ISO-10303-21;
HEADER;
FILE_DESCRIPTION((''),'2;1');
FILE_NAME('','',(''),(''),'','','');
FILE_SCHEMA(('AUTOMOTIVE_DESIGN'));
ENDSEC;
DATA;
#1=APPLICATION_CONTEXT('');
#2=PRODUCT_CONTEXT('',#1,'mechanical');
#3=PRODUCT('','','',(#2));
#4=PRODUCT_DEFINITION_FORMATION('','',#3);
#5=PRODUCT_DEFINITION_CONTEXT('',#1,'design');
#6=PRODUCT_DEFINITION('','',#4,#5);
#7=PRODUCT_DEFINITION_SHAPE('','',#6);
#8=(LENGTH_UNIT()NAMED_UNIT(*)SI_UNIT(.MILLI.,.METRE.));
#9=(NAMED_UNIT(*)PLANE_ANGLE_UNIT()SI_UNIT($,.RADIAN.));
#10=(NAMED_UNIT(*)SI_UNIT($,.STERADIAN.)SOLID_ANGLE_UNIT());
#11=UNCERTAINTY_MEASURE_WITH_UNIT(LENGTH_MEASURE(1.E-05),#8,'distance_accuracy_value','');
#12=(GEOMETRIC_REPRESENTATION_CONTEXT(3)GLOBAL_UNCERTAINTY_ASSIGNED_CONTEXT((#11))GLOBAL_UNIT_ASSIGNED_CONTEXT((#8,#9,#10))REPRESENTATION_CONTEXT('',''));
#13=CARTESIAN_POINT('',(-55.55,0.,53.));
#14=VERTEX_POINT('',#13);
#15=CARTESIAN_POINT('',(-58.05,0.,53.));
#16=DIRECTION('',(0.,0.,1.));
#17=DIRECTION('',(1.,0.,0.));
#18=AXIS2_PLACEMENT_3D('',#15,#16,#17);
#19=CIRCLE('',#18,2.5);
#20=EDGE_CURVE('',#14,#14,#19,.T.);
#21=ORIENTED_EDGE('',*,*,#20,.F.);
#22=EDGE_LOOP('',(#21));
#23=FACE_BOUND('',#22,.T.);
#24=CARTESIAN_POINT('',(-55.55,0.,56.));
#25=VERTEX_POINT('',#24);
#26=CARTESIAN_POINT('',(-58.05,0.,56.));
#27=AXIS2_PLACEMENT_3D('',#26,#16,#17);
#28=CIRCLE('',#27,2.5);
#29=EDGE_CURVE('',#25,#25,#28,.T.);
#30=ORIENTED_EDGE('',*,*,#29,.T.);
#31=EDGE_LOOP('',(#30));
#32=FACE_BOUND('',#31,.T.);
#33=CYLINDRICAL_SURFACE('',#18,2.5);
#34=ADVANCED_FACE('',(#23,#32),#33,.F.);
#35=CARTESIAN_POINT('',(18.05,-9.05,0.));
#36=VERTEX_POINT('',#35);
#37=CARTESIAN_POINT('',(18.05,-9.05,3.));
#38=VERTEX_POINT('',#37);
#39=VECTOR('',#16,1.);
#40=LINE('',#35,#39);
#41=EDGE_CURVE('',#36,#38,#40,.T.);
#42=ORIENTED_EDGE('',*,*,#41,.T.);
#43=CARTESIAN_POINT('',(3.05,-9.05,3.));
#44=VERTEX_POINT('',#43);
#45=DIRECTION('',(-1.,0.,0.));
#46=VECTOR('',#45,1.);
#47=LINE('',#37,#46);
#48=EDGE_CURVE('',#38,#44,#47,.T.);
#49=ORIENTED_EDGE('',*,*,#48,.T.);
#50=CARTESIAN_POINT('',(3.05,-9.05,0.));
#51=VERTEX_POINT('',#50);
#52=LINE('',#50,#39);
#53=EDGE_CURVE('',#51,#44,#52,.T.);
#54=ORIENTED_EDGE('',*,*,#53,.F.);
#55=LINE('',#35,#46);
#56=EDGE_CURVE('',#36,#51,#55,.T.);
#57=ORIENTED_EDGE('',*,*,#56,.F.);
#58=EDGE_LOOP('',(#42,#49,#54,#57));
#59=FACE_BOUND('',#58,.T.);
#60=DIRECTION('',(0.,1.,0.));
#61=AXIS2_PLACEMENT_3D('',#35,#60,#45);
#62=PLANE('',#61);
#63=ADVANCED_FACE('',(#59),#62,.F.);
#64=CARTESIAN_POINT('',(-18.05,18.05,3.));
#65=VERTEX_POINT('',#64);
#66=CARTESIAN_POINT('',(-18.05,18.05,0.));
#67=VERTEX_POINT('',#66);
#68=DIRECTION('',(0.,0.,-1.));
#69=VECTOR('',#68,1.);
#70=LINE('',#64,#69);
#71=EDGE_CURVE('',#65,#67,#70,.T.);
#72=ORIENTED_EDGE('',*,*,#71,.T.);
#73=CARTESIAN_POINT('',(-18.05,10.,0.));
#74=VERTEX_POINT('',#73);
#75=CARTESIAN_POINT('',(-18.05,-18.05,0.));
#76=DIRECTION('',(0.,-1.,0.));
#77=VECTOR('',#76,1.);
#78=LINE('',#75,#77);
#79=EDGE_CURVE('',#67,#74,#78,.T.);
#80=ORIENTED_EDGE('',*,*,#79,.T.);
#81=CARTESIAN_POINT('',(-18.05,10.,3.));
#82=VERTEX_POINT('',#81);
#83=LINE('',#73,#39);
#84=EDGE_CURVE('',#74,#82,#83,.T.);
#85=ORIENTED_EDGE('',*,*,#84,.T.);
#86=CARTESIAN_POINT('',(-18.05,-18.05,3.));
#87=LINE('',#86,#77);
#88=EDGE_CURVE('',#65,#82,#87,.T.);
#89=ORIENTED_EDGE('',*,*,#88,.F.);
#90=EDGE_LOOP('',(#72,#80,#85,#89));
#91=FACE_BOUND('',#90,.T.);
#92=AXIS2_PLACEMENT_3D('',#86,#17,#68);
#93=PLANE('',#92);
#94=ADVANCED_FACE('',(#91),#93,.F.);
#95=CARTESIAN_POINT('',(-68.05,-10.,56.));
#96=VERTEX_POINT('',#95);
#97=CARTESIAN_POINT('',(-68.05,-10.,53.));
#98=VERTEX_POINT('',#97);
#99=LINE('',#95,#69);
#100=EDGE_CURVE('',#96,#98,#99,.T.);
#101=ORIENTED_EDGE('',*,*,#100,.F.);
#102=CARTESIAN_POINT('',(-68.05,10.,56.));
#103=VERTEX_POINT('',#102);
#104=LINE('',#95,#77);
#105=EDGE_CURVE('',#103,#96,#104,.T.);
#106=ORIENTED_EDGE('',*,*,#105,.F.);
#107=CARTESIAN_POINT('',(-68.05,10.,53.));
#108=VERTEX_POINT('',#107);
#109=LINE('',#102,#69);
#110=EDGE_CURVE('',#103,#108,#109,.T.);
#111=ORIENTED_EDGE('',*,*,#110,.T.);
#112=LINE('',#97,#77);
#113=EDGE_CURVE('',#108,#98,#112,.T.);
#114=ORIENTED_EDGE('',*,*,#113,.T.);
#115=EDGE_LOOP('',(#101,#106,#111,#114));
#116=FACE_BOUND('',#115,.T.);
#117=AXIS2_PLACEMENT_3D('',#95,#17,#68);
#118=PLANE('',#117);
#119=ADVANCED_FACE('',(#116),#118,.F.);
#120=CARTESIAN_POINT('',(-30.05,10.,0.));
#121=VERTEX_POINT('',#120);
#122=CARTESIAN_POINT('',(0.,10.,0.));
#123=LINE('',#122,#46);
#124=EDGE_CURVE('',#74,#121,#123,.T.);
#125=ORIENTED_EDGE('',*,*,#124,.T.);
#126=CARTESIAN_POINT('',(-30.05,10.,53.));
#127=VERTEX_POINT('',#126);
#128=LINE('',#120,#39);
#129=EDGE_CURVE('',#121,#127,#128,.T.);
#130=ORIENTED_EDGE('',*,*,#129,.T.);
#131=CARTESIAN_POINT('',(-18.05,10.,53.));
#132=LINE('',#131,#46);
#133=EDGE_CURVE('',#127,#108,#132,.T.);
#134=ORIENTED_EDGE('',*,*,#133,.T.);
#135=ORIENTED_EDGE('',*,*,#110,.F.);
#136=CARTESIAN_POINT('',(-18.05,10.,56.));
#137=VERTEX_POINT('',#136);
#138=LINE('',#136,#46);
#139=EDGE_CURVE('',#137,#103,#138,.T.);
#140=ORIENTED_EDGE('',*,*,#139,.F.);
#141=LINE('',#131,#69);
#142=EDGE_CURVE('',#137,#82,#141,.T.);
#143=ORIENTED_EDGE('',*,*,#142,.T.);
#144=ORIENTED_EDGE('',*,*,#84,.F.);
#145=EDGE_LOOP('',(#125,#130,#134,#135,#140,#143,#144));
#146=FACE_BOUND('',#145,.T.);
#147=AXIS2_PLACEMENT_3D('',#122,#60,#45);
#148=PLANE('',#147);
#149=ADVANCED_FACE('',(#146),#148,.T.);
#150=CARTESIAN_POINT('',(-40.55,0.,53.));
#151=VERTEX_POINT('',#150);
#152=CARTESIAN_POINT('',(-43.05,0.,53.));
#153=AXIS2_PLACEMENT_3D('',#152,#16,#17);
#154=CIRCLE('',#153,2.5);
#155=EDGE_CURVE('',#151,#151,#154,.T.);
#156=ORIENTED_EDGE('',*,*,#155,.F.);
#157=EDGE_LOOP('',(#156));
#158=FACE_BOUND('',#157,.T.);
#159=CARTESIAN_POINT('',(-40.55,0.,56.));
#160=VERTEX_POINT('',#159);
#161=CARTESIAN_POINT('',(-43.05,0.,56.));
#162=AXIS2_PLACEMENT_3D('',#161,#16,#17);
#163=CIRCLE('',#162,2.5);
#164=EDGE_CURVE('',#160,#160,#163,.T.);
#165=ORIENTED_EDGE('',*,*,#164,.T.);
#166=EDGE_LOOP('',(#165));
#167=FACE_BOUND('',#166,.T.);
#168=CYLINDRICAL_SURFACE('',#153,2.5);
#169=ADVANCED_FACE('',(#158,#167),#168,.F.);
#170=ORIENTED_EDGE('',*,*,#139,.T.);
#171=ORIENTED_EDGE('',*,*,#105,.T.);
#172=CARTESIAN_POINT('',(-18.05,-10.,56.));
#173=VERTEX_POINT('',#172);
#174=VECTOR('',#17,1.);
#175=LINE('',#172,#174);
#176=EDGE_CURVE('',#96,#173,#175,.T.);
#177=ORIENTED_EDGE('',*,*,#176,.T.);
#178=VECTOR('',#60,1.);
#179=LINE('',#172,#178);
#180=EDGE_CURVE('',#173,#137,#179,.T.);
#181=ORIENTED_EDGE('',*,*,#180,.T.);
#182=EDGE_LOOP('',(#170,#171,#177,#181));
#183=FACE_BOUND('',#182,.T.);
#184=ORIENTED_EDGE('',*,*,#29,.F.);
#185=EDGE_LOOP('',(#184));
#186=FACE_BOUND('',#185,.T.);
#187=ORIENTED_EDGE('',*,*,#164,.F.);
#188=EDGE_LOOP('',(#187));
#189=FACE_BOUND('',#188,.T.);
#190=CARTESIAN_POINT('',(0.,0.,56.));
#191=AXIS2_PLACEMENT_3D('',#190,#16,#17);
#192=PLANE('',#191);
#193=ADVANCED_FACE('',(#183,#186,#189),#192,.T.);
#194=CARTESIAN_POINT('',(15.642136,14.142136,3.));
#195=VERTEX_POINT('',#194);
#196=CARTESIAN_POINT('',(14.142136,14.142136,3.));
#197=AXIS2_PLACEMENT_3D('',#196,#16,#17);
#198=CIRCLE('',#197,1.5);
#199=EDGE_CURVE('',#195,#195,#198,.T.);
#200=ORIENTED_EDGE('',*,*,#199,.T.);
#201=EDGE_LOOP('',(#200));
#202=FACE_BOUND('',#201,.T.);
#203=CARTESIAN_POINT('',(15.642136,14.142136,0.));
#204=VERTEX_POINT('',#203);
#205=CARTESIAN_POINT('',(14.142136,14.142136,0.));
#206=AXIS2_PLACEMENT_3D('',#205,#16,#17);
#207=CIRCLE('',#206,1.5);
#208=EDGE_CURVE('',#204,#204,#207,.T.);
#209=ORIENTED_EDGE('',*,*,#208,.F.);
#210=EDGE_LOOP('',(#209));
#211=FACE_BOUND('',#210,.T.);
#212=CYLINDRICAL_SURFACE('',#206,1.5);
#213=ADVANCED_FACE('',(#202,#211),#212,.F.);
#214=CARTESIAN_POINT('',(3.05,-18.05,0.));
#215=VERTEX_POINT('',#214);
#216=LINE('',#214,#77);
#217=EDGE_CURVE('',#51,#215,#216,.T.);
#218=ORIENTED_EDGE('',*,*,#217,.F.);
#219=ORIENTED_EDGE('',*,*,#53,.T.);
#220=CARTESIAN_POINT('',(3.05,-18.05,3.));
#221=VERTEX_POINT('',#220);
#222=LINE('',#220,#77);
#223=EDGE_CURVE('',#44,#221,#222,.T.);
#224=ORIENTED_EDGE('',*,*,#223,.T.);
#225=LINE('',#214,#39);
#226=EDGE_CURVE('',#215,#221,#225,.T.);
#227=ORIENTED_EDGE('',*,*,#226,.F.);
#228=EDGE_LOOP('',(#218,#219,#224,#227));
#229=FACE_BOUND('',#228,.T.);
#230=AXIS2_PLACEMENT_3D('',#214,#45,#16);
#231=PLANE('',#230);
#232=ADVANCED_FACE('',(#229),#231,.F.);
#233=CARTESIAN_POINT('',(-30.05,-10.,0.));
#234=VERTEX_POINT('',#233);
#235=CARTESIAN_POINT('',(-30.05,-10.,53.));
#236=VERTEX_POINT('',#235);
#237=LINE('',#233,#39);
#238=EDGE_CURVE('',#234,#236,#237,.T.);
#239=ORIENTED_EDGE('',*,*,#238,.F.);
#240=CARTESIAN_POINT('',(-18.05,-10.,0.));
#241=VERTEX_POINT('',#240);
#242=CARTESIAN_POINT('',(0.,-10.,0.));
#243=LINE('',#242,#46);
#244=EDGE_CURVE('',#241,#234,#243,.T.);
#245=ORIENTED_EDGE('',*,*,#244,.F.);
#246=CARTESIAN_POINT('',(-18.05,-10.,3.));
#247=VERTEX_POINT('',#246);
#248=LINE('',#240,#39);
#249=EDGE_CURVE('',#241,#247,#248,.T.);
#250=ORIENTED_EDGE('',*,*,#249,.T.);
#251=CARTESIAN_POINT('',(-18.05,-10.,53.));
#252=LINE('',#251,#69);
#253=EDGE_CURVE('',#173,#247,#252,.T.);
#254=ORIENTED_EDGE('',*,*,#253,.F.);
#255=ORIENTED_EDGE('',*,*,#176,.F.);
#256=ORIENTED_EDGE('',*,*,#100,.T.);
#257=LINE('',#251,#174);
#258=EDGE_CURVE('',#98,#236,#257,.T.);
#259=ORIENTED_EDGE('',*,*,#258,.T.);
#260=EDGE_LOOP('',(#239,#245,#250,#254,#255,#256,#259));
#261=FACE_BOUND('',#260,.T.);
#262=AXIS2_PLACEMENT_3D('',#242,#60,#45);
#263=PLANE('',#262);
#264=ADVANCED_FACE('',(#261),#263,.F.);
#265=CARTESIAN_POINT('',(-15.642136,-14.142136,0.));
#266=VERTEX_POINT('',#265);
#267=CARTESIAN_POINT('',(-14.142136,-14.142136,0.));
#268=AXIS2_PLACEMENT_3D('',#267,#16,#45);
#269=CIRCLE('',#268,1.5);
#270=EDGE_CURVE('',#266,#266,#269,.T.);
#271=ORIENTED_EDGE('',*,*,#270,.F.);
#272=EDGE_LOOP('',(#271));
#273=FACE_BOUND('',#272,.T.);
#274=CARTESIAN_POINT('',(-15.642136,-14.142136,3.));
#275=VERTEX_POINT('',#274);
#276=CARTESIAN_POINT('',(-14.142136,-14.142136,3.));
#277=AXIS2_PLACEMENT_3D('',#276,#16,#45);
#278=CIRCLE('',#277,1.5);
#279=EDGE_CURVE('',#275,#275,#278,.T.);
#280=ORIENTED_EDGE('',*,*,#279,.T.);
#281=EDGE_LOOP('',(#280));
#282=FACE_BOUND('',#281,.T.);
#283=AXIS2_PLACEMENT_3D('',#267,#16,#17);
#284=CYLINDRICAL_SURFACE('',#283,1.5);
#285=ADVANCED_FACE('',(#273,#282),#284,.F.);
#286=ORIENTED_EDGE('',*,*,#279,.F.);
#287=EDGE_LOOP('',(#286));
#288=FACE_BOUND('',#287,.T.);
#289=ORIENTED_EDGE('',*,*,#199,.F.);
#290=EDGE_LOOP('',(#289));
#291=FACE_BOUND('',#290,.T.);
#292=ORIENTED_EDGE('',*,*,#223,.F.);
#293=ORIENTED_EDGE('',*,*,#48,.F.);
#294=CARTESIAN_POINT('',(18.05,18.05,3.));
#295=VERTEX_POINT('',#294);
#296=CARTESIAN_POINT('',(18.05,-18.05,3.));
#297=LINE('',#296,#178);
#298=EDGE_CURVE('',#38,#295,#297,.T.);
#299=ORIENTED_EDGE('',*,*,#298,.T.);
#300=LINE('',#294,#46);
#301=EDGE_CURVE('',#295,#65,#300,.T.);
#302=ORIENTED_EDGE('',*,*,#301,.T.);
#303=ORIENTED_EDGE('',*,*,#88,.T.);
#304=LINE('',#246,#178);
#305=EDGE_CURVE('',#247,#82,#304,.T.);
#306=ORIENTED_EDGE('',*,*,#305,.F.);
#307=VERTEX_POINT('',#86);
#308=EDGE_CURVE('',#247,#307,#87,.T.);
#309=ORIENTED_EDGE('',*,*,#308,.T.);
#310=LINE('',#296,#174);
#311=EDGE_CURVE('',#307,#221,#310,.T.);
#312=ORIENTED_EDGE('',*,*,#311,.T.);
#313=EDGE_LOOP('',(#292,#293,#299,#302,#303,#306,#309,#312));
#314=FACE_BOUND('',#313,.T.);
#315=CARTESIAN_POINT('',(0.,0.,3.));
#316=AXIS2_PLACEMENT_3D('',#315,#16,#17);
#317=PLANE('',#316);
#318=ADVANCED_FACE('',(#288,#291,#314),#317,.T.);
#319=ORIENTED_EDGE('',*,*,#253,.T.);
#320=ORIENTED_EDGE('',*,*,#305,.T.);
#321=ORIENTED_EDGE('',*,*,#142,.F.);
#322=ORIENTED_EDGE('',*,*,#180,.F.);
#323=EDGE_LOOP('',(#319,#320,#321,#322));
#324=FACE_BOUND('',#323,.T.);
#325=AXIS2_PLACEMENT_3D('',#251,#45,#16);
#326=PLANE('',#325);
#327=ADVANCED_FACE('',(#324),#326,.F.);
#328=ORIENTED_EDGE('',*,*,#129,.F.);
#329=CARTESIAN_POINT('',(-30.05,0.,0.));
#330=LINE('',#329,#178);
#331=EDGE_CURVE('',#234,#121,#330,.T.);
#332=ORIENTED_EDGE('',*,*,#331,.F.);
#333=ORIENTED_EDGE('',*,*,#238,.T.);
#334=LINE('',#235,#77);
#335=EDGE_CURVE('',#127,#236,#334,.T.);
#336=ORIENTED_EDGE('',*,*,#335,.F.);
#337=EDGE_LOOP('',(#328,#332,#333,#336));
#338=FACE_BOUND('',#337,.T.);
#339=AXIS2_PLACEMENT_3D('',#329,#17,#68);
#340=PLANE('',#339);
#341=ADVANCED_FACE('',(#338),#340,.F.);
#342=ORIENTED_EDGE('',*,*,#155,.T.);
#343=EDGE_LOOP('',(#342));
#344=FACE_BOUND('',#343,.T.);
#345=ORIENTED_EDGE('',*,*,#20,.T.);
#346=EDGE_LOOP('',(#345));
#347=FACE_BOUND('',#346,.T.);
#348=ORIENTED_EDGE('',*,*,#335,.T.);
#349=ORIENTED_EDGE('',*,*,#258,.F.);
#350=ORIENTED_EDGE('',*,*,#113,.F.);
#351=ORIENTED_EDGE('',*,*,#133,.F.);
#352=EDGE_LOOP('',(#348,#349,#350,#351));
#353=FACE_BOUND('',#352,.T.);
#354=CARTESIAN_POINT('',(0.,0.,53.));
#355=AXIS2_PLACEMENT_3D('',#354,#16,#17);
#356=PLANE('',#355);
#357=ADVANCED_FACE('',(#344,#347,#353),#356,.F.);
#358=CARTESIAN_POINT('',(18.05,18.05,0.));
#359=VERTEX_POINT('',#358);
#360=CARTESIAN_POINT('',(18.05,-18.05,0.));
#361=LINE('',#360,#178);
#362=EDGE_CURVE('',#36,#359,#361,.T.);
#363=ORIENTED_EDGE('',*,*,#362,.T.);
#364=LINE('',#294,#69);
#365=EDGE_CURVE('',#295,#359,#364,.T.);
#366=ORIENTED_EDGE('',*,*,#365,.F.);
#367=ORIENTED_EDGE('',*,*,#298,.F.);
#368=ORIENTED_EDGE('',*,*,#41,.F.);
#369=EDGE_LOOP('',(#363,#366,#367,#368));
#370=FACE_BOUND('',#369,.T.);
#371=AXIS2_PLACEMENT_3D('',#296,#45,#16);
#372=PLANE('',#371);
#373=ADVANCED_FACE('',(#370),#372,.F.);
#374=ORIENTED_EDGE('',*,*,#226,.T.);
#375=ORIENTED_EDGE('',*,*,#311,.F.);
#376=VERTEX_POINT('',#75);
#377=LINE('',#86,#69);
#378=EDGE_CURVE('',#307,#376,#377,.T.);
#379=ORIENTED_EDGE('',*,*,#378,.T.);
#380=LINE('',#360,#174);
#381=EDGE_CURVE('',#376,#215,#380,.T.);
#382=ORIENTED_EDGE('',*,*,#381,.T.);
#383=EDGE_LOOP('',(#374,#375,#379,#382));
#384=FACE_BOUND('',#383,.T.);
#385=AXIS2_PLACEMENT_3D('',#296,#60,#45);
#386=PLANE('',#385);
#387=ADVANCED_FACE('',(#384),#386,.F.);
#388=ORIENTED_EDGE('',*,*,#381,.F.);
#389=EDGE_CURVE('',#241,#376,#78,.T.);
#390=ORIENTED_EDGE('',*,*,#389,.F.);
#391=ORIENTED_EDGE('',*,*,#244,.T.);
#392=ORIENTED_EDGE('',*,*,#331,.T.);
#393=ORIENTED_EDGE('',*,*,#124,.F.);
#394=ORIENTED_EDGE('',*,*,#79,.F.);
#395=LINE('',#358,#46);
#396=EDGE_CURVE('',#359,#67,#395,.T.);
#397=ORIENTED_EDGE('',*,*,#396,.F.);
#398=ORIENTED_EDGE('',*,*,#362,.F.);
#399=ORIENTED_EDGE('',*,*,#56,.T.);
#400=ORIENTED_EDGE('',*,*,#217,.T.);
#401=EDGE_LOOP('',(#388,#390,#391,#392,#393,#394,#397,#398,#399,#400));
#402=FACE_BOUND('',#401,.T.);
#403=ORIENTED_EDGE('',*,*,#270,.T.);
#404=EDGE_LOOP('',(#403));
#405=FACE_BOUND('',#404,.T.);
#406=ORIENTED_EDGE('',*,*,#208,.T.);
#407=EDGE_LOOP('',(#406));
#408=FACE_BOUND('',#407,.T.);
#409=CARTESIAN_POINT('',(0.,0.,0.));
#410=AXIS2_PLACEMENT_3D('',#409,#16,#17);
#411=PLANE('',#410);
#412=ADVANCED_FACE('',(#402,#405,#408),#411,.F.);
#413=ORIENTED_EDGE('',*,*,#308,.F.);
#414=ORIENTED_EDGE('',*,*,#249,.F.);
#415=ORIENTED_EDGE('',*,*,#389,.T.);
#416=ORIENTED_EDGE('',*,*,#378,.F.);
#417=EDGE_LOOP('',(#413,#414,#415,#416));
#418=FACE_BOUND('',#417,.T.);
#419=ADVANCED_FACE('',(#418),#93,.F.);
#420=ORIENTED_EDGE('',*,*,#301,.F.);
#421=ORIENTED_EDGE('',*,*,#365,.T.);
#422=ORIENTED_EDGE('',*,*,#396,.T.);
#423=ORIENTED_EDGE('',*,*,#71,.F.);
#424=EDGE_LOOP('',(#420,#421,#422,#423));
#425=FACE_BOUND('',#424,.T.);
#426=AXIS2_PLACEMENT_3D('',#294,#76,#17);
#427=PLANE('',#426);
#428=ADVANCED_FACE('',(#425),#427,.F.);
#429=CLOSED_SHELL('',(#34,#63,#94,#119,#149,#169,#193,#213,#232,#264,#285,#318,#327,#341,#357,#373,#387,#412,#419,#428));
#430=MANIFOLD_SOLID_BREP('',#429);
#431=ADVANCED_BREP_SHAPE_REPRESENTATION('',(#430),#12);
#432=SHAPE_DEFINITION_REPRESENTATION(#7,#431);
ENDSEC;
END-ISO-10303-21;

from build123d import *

# Parameters (mm, degrees)
SKETCH_1_W          = 36.1
SKETCH_1_H          = 36.1
EXTRUDE_1_DEPTH     = 3
SKETCH_2_R          = 1.5
CUT_EXTRUDE_1_DEPTH = 3
SKETCH_3_W          = 15
SKETCH_3_H          = 9
CUT_EXTRUDE_2_DEPTH = 3
SKETCH_4_W          = 12
SKETCH_4_H          = 10
EXTRUDE_2_DEPTH     = 3
SKETCH_5_W          = 12
SKETCH_5_H          = 20
EXTRUDE_3_DEPTH     = 50
SKETCH_7_W          = 50
SKETCH_7_H          = 20
EXTRUDE_4_DEPTH     = 3
SKETCH_9_R          = 2.5
CUT_EXTRUDE_4_DEPTH = 3


with BuildPart() as part:
    # 草图1 → 凸台-拉伸1 (new body)
    with BuildSketch(Plane.XY):
        Rectangle(SKETCH_1_W, SKETCH_1_H)
    extrude(amount=EXTRUDE_1_DEPTH)

    # 草图2 → 切除-拉伸1 (cut)
    with BuildSketch(Plane.XY.offset(3)):
        with Locations((14.142135624, 14.142135624)):
            Circle(SKETCH_2_R)
        with Locations(Location((-14.142135624, -14.142135624, 0), (0, 0, 180))):
            Circle(SKETCH_2_R)
    extrude(amount=-CUT_EXTRUDE_1_DEPTH, mode=Mode.SUBTRACT)

    # 草图3 → 切除-拉伸2 (cut)
    with BuildSketch(Plane.XY.offset(3)):
        with Locations((10.55, -13.55)):
            Rectangle(SKETCH_3_W, SKETCH_3_H)
    extrude(amount=-CUT_EXTRUDE_2_DEPTH, mode=Mode.SUBTRACT)

    # 草图4 → 凸台-拉伸2 (add)
    with BuildSketch(Plane.XY.offset(3)):
        with Locations((-24.05, 5)):
            Rectangle(SKETCH_4_W, SKETCH_4_H)
        with Locations((-24.05, -5)):
            Rectangle(SKETCH_4_W, SKETCH_4_H)
    extrude(amount=-EXTRUDE_2_DEPTH)

    # 草图5 → 凸台-拉伸3 (add)
    with BuildSketch(Plane.XY.offset(3)):
        with Locations((-24.05, 0)):
            Rectangle(SKETCH_5_W, SKETCH_5_H)
    extrude(amount=EXTRUDE_3_DEPTH)

    # 草图7 → 凸台-拉伸4 (add)
    with BuildSketch(Plane.XY.offset(53)):
        with Locations((-43.05, 0)):
            Rectangle(SKETCH_7_W, SKETCH_7_H)
    extrude(amount=EXTRUDE_4_DEPTH)

    # 草图9 → 切除-拉伸4 (cut)
    with BuildSketch(Plane.XY.offset(56)):
        with Locations((-58.05, 0)):
            Circle(SKETCH_9_R)
        with Locations((-43.05, 0)):
            Circle(SKETCH_9_R)
    extrude(amount=-CUT_EXTRUDE_4_DEPTH, mode=Mode.SUBTRACT)


solid = part.part
